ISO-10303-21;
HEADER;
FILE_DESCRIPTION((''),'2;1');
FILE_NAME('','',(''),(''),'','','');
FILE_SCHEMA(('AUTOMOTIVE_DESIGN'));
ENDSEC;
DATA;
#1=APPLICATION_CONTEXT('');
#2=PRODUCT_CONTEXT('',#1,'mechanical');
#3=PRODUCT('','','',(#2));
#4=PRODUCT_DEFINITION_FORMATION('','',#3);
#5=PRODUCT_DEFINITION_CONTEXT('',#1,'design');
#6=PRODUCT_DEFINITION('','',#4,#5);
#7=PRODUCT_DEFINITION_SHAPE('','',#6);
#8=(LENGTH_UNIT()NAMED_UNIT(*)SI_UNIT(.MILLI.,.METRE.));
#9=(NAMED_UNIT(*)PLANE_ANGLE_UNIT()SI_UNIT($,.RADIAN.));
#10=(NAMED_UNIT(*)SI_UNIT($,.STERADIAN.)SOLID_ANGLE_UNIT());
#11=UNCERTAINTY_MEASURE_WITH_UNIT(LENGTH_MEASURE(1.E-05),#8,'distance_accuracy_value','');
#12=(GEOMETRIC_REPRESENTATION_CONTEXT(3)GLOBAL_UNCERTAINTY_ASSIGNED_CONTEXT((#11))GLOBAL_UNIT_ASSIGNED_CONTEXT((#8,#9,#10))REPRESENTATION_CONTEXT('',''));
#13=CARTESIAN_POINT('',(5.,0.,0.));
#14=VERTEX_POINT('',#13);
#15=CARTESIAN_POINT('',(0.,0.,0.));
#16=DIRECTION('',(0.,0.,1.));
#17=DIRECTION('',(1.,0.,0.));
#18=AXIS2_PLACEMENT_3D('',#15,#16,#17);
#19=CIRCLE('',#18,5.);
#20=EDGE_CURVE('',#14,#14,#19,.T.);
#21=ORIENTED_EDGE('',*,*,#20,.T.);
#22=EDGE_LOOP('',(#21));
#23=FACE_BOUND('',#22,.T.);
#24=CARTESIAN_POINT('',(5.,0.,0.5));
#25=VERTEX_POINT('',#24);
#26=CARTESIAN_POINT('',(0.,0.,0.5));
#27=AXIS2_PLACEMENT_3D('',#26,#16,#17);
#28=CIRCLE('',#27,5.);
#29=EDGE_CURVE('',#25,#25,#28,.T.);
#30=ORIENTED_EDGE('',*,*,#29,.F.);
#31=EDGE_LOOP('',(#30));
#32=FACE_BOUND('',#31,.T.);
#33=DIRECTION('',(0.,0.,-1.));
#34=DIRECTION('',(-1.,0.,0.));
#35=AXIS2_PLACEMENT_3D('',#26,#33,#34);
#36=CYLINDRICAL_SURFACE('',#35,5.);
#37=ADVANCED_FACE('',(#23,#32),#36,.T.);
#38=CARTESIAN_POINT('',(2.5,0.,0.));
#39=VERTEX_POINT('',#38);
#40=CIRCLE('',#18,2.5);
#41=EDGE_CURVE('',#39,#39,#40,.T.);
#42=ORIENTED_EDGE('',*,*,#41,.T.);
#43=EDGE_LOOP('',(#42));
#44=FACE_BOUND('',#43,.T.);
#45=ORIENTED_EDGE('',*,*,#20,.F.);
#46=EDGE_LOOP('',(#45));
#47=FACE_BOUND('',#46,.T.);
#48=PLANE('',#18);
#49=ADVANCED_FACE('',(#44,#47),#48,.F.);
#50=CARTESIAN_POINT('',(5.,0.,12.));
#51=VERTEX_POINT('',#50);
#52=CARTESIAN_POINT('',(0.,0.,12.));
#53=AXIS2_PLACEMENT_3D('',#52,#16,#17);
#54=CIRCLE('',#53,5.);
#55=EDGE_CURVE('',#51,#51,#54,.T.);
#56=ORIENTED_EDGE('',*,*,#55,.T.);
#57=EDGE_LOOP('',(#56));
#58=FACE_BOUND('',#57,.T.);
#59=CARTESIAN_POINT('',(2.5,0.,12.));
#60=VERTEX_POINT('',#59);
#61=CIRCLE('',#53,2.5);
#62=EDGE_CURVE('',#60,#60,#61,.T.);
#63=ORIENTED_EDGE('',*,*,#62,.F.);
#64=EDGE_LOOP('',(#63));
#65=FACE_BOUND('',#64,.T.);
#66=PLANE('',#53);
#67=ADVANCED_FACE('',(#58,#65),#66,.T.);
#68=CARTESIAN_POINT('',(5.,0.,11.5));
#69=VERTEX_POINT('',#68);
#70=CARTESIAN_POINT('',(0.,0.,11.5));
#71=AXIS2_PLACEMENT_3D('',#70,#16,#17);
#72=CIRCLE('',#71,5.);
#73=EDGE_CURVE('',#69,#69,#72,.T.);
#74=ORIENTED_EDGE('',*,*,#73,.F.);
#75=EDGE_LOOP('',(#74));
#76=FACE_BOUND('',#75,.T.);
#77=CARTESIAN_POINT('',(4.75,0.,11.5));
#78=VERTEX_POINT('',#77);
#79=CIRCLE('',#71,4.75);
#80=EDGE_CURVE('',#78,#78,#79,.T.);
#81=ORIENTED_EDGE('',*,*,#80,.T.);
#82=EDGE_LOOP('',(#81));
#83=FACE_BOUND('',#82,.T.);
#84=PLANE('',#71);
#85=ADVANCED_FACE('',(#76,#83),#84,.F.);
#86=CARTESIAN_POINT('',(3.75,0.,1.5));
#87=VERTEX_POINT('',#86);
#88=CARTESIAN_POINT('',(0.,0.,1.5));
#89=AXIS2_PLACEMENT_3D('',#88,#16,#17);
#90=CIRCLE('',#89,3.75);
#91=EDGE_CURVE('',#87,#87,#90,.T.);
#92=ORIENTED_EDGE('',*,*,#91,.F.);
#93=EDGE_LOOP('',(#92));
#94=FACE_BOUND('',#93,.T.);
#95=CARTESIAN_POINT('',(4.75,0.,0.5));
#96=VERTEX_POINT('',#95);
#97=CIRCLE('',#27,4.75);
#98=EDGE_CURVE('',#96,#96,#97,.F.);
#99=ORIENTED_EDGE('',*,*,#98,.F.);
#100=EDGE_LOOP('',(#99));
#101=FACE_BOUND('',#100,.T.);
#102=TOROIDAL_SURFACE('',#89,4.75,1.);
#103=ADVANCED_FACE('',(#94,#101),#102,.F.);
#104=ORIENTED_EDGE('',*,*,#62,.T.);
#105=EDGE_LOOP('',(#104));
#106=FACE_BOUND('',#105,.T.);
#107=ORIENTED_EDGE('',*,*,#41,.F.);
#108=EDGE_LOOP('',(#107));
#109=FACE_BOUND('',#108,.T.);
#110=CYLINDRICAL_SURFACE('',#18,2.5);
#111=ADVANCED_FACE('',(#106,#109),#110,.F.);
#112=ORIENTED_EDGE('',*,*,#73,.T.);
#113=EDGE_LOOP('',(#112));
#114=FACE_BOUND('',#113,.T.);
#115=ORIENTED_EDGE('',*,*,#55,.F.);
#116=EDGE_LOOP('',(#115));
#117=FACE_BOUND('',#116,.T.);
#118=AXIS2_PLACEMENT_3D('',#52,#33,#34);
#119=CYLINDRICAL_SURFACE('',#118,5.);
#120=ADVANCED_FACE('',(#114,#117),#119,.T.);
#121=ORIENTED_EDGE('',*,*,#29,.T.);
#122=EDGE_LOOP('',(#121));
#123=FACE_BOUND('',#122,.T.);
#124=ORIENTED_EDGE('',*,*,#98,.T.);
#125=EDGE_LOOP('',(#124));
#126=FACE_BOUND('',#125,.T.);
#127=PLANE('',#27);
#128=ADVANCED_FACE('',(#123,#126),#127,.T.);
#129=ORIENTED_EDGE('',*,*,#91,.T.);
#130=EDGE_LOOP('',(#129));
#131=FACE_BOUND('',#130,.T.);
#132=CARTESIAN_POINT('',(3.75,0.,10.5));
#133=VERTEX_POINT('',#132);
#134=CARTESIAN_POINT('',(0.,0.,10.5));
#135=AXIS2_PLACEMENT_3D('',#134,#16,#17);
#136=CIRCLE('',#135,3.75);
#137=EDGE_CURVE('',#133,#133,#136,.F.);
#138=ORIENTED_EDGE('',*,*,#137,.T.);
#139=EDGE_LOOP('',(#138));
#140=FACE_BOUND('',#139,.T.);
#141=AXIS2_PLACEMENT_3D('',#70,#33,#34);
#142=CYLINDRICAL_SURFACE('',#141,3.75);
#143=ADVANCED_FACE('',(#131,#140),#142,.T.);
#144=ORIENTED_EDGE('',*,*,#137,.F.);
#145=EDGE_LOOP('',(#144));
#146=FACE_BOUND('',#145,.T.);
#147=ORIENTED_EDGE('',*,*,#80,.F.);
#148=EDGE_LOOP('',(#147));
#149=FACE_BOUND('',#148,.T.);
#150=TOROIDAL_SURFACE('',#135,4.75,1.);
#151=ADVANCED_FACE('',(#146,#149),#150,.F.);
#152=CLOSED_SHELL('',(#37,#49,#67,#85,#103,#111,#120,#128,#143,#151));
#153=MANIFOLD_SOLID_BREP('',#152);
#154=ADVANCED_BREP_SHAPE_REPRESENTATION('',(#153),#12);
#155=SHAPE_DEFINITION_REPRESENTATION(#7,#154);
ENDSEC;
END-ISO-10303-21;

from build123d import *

# Parameters (mm, degrees)
SKETCH_1_R          = 5
EXTRUDE_1_DEPTH     = 0.5
SKETCH_2_R          = 3.75
EXTRUDE_2_DEPTH     = 11
SKETCH_3_R          = 5
EXTRUDE_3_DEPTH     = 0.5
SKETCH_4_R          = 2.5
CUT_EXTRUDE_1_DEPTH = 14.928388277
FILLET_1_R          = 1


with BuildPart() as part:
    # 草图1 → 凸台-拉伸1 (new body)
    with BuildSketch(Plane.XY):
        Circle(SKETCH_1_R)
    extrude(amount=EXTRUDE_1_DEPTH)

    # 草图2 → 凸台-拉伸2 (add)
    with BuildSketch(Plane.XY.offset(0.5)):
        Circle(SKETCH_2_R)
    extrude(amount=EXTRUDE_2_DEPTH)

    # 草图3 → 凸台-拉伸3 (add)
    with BuildSketch(Plane.XY.offset(11.5)):
        Circle(SKETCH_3_R)
    extrude(amount=EXTRUDE_3_DEPTH)

    # 草图4 → 切除-拉伸1 (cut, through all)
    with BuildSketch(Plane.XY.offset(12)):
        Circle(SKETCH_4_R)
    extrude(amount=-CUT_EXTRUDE_1_DEPTH, mode=Mode.SUBTRACT)

    # 圆角1
    fillet_1_edges = [part.edges().sort_by_distance(p)[0] for p in [
        (-3.75, 0, 0.5),
        (-3.75, 0, 11.5),
    ]]
    fillet(fillet_1_edges, radius=FILLET_1_R)


solid = part.part
